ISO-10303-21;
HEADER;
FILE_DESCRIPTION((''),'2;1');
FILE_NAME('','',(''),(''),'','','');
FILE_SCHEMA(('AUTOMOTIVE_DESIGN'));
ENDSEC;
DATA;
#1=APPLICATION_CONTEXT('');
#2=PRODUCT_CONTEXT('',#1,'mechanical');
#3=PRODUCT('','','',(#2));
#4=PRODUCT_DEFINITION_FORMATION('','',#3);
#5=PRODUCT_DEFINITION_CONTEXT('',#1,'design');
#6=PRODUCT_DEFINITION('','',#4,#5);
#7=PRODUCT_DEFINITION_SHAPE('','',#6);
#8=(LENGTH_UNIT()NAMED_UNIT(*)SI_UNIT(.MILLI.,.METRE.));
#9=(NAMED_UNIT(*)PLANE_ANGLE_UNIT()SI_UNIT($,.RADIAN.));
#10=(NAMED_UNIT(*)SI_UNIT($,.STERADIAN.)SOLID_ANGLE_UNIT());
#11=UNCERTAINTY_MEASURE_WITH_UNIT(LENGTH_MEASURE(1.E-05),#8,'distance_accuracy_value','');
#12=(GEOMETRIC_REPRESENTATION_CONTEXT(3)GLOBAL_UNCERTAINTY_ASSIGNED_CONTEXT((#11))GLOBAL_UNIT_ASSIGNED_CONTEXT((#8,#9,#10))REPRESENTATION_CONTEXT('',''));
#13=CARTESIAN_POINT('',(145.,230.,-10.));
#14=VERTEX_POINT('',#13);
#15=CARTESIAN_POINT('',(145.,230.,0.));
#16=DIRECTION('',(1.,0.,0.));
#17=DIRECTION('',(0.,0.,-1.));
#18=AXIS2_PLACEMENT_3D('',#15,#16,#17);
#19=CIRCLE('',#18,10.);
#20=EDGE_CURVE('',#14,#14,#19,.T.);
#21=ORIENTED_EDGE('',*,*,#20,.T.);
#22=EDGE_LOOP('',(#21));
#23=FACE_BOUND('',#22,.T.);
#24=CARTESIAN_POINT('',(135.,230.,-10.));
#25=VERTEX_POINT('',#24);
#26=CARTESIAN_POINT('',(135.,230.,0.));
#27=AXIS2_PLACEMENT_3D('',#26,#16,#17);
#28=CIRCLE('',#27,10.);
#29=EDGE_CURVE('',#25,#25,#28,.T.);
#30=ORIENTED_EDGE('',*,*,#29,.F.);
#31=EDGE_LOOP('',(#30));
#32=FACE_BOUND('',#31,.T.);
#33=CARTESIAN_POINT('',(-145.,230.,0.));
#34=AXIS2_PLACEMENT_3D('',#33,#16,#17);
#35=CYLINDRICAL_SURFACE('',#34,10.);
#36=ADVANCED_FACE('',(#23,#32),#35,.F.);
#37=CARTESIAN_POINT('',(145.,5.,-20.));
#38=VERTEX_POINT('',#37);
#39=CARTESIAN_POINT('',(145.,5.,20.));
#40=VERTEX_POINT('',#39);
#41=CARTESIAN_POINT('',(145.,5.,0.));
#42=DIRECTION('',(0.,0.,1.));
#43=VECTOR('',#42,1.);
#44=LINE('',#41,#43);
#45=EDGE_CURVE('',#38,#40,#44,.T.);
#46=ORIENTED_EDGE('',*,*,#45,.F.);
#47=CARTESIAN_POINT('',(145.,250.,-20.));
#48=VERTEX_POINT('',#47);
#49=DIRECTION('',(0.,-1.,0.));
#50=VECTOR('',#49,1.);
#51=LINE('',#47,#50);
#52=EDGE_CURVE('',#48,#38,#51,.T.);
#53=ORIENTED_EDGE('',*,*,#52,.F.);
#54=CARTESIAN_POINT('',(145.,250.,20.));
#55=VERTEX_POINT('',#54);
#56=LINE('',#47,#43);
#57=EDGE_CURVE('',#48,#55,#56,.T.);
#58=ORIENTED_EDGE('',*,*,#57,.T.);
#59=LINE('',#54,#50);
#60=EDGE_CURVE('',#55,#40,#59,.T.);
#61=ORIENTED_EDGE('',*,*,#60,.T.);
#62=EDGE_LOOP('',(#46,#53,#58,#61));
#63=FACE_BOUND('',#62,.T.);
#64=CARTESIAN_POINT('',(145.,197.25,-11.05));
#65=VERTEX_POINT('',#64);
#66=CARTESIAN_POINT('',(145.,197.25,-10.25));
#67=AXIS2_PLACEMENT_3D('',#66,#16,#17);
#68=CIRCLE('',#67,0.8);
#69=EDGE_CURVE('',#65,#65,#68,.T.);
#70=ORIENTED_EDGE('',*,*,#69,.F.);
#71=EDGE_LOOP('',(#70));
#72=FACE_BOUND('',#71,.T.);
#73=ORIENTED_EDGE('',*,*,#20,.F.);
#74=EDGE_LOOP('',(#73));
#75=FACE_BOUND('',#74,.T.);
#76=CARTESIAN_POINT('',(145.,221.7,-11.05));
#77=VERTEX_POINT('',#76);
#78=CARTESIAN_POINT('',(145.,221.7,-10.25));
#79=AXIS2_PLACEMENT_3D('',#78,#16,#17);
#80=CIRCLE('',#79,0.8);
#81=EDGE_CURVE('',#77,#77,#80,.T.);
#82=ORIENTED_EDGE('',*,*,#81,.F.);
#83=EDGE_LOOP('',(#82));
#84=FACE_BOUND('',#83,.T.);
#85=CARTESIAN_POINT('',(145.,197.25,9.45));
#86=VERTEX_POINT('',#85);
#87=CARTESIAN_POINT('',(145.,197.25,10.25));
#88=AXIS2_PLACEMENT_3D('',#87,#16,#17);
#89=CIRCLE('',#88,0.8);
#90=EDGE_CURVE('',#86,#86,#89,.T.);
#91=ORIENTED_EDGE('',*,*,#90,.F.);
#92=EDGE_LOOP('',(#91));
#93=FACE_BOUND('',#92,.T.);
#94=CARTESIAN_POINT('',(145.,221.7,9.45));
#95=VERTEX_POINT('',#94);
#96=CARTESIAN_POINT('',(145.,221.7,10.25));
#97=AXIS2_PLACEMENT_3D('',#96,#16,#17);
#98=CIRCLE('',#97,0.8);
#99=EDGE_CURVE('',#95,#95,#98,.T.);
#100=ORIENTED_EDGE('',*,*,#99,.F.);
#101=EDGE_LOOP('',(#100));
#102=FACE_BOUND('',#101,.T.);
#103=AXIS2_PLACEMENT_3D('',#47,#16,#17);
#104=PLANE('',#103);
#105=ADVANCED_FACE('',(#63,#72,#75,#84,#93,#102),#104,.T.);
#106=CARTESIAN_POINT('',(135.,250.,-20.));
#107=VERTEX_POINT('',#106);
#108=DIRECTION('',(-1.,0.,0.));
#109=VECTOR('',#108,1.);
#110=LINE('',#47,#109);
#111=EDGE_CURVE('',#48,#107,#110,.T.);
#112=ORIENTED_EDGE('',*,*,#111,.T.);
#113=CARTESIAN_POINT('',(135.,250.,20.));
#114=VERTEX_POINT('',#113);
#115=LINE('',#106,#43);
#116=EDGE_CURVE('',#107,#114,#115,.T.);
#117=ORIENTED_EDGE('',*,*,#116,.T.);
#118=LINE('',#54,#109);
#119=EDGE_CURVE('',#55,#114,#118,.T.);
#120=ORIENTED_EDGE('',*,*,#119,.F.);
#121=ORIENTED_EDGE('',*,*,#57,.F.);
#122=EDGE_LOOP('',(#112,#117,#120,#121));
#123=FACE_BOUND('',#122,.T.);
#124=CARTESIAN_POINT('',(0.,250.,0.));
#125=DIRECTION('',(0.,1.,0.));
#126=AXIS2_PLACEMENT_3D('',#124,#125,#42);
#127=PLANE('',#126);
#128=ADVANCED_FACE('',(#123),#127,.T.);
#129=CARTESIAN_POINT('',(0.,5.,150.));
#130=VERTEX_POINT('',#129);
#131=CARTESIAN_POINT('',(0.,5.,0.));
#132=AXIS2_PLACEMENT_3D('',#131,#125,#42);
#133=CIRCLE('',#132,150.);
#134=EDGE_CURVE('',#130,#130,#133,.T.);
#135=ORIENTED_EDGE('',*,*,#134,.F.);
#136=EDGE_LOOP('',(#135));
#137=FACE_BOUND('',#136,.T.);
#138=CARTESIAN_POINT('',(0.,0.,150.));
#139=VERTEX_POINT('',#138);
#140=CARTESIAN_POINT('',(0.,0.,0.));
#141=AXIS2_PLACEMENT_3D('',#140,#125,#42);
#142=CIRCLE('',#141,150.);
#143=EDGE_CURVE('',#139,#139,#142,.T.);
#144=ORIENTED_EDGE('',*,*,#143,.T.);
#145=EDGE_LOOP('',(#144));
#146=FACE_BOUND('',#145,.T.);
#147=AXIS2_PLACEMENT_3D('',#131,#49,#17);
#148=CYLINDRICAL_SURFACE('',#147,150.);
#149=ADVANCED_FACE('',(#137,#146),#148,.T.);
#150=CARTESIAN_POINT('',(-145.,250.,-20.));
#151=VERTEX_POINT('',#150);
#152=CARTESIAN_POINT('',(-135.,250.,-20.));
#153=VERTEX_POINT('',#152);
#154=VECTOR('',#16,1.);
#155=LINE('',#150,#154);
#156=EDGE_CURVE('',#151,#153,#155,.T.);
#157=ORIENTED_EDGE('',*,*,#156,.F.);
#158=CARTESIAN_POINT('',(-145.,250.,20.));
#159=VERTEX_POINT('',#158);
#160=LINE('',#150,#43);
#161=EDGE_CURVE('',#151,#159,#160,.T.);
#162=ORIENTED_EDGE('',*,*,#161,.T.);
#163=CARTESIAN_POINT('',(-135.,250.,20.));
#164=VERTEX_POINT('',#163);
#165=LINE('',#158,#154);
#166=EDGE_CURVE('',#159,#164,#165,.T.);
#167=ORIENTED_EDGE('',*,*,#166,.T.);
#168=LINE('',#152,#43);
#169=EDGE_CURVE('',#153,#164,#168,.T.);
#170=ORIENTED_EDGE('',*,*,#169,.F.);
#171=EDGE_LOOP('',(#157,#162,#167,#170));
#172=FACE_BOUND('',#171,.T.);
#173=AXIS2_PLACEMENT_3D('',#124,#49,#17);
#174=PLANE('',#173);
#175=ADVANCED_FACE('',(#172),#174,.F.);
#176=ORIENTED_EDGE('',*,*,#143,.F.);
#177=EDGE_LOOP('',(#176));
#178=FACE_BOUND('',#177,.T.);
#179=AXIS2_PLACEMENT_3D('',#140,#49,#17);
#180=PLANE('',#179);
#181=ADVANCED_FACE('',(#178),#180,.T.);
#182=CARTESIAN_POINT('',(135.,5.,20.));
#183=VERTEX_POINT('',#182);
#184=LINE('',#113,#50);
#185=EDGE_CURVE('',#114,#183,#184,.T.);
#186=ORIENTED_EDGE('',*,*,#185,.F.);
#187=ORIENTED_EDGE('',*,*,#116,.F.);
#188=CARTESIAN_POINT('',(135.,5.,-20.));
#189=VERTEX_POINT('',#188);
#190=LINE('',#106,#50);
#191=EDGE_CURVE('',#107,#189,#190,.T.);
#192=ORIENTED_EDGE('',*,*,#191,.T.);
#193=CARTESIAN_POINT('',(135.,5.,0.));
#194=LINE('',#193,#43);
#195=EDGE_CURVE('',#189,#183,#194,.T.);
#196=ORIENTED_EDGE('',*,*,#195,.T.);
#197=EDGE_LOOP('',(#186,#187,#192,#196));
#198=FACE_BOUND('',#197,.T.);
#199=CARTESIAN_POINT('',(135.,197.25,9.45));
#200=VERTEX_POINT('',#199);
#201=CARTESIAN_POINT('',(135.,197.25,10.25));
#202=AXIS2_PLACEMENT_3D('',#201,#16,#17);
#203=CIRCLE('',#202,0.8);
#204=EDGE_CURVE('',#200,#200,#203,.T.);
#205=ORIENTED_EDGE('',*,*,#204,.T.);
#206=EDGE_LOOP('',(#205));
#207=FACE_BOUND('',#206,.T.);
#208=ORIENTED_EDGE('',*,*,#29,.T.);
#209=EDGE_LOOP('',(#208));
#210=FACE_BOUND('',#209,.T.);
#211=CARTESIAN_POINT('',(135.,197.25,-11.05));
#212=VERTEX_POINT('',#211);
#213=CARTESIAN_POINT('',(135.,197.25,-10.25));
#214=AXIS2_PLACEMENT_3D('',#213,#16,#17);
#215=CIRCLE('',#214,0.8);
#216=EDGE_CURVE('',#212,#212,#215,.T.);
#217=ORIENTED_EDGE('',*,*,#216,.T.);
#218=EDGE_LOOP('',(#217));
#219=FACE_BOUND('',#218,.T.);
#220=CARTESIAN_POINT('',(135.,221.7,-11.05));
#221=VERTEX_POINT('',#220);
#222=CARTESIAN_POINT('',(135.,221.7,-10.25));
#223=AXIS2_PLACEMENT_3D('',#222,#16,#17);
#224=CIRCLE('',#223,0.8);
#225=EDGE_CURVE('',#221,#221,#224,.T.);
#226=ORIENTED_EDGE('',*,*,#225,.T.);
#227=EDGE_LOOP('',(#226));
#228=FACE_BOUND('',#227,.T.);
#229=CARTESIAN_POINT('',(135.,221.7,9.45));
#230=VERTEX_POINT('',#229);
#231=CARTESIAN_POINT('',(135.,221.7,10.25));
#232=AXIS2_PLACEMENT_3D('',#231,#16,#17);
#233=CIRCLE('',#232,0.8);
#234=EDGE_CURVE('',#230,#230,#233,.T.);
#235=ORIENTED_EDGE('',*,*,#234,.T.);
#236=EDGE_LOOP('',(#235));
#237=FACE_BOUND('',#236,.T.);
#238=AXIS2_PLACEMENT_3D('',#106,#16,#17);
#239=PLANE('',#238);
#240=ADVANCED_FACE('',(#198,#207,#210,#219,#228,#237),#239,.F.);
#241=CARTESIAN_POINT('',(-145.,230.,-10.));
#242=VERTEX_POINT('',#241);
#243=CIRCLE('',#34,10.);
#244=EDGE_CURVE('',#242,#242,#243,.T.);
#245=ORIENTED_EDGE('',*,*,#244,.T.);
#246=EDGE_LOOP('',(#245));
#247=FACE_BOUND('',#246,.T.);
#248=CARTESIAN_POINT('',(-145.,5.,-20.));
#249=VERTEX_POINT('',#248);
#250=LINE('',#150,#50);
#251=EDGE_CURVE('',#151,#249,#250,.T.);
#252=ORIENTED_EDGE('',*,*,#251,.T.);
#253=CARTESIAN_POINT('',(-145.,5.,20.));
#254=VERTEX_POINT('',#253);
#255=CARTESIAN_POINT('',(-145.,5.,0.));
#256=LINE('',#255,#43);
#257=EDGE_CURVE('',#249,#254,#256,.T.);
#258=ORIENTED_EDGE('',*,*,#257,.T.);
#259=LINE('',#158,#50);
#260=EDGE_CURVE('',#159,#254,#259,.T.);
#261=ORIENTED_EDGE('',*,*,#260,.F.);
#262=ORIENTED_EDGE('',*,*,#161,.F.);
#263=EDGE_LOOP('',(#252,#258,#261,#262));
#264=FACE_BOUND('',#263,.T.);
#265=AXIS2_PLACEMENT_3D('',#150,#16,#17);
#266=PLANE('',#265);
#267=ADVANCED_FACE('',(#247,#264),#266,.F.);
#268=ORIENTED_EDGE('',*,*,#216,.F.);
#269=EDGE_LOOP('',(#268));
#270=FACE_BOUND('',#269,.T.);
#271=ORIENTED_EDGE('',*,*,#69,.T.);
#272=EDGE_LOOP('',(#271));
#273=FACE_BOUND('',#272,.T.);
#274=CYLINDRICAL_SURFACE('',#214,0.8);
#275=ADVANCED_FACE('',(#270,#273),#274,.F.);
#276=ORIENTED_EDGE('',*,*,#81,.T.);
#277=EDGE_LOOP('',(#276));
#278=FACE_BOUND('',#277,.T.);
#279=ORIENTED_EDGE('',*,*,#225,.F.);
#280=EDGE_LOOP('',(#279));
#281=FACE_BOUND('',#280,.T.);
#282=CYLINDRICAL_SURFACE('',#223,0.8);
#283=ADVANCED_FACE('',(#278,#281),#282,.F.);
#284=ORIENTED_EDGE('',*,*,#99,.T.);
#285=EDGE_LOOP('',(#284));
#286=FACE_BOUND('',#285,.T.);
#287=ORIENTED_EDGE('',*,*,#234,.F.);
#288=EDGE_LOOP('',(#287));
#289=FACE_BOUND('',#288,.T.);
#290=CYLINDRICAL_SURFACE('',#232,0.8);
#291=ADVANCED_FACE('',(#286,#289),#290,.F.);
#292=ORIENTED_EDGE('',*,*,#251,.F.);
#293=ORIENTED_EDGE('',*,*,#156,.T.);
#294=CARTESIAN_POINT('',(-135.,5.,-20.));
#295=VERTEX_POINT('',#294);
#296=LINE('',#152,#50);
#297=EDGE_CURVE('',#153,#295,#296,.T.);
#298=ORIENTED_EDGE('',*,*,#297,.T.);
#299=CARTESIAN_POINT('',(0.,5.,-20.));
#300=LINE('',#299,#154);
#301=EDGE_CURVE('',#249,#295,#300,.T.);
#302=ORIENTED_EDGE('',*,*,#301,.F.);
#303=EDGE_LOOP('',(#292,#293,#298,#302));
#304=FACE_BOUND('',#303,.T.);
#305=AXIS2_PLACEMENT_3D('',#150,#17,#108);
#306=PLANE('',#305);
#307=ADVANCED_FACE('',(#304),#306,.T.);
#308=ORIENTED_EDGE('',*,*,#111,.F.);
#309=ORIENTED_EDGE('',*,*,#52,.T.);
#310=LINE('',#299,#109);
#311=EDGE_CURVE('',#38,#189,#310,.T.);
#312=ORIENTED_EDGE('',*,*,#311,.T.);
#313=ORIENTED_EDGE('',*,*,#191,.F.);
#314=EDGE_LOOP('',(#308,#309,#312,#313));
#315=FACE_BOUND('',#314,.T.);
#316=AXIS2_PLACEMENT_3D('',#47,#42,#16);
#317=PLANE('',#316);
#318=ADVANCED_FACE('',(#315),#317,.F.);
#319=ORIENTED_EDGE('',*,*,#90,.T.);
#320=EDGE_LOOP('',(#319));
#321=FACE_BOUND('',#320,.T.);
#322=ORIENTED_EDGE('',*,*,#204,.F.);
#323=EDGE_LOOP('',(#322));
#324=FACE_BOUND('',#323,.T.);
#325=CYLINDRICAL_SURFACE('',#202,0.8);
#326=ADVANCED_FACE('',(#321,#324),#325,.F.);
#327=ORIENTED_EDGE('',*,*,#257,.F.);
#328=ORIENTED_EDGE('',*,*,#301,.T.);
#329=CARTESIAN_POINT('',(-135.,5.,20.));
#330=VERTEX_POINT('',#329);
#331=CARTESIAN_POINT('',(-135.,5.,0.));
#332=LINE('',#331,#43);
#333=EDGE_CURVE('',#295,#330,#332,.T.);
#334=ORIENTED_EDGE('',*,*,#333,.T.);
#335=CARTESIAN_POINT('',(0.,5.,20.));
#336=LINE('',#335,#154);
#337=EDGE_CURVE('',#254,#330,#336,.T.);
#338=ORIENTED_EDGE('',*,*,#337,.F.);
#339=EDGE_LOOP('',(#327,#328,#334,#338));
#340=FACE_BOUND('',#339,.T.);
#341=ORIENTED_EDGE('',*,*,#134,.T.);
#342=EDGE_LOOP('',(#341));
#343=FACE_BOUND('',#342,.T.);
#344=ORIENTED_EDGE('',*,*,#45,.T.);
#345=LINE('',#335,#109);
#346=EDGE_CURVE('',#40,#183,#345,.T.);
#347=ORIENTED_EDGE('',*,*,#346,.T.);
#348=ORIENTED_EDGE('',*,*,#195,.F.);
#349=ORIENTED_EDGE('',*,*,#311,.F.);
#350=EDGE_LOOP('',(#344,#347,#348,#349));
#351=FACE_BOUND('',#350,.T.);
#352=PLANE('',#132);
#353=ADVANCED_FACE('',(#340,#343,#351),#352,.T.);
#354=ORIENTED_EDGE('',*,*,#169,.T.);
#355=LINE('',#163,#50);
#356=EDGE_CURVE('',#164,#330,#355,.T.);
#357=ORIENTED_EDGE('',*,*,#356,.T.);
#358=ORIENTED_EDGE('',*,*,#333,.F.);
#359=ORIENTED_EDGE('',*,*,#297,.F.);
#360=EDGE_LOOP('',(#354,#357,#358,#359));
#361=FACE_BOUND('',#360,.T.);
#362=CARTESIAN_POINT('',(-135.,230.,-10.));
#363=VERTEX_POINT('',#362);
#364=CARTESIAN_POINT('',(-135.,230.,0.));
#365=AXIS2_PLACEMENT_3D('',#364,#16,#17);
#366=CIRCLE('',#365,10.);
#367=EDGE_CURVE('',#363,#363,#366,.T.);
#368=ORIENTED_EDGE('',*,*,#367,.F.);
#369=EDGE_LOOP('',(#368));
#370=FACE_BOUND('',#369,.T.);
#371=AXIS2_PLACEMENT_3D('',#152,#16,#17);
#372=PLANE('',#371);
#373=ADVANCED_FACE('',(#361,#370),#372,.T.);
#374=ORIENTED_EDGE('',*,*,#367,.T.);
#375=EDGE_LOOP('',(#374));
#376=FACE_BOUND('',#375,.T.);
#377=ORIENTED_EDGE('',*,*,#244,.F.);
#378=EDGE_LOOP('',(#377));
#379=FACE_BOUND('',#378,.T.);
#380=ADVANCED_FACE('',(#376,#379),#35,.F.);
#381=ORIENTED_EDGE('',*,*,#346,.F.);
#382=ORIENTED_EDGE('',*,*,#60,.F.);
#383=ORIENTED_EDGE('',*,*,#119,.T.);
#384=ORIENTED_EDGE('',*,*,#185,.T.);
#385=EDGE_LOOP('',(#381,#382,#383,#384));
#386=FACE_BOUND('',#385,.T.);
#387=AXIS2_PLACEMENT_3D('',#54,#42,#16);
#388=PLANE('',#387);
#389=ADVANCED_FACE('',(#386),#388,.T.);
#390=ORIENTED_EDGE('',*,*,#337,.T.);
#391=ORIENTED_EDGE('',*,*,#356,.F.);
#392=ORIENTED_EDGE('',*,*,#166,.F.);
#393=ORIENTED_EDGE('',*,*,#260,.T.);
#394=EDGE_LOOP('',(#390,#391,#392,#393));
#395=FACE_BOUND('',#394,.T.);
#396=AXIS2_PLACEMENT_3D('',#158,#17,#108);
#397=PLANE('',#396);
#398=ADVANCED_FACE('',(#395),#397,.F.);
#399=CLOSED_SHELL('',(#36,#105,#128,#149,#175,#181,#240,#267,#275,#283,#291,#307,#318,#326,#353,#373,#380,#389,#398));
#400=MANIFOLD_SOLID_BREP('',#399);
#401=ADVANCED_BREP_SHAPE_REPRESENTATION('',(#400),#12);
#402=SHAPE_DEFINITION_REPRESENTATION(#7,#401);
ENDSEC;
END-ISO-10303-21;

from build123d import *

# Parameters (mm, degrees)
SZKIC1_W                      = 10
SZKIC1_H                      = 40
DODANIE_WYCI_GNI_CIE1_DEPTH   = 250
DODANIE_WYCI_GNI_CIE1_2_DEPTH = 250
SZKIC1_3_R                    = 150
DODANIE_WYCI_GNI_CIE2_DEPTH   = 5
SZKIC2_R                      = 10
WYTNIJ_WYCI_GNI_CIE1_DEPTH    = 290
SZKIC3_R                      = 0.8
WYTNIJ_WYCI_GNI_CIE4_DEPTH    = 10


with BuildPart() as part:
    # Szkic1 → Dodanie-wyciągnięcie1 (new body)
    with BuildSketch(Plane(origin=(0, 0, 0), x_dir=(1, 0, 0), z_dir=(0, 1, 0))):
        with Locations((140, 0)):
            Rectangle(SZKIC1_W, SZKIC1_H)
    extrude(amount=DODANIE_WYCI_GNI_CIE1_DEPTH)



with BuildPart() as body_2:
    # Szkic1 → Dodanie-wyci_gni_cie1 2 (new body)
    with BuildSketch(Plane(origin=(0, 0, 0), x_dir=(1, 0, 0), z_dir=(0, 1, 0))):
        with Locations((-140, 0)):
            Rectangle(SZKIC1_W, SZKIC1_H)
    extrude(amount=DODANIE_WYCI_GNI_CIE1_2_DEPTH)


with BuildPart() as part_1:
    add(part.part)

    add(body_2.part)  # Dodanie-wyciągnięcie2 merges body 2
    # Szkic1<3> → Dodanie-wyciągnięcie2 (add)
    with BuildSketch(Plane(origin=(0, 0, 0), x_dir=(1, 0, 0), z_dir=(0, 1, 0))):
        Circle(SZKIC1_3_R)
        Polygon((-135, 20), (-135, 0), (-135, -20), (-140, -20), (-145, -20), (-145, 20), (-140, 20), align=None, mode=Mode.SUBTRACT)
        Polygon((135, -20), (135, 0), (135, 20), (140, 20), (145, 20), (145, -20), (140, -20), align=None, mode=Mode.SUBTRACT)
    extrude(amount=DODANIE_WYCI_GNI_CIE2_DEPTH)

    # Szkic2 → Wytnij-wyciągnięcie1 (cut)
    with BuildSketch(Plane(origin=(145, 0, 0), x_dir=(0, 0, -1), z_dir=(1, 0, 0))):
        with Locations((0, 230)):
            Circle(SZKIC2_R)
    extrude(amount=-WYTNIJ_WYCI_GNI_CIE1_DEPTH, mode=Mode.SUBTRACT)

    # Szkic3 → Wytnij-wyciągnięcie4 (cut)
    with BuildSketch(Plane(origin=(145, 0, 0), x_dir=(0, 0, -1), z_dir=(1, 0, 0))):
        with Locations((-10.25, 221.7)):
            Circle(SZKIC3_R)
        with Locations((10.25, 197.25)):
            Circle(SZKIC3_R)
        with Locations((10.25, 221.7)):
            Circle(SZKIC3_R)
        with Locations((-10.25, 197.25)):
            Circle(SZKIC3_R)
    extrude(amount=-WYTNIJ_WYCI_GNI_CIE4_DEPTH, mode=Mode.SUBTRACT)


solid = part_1.part
